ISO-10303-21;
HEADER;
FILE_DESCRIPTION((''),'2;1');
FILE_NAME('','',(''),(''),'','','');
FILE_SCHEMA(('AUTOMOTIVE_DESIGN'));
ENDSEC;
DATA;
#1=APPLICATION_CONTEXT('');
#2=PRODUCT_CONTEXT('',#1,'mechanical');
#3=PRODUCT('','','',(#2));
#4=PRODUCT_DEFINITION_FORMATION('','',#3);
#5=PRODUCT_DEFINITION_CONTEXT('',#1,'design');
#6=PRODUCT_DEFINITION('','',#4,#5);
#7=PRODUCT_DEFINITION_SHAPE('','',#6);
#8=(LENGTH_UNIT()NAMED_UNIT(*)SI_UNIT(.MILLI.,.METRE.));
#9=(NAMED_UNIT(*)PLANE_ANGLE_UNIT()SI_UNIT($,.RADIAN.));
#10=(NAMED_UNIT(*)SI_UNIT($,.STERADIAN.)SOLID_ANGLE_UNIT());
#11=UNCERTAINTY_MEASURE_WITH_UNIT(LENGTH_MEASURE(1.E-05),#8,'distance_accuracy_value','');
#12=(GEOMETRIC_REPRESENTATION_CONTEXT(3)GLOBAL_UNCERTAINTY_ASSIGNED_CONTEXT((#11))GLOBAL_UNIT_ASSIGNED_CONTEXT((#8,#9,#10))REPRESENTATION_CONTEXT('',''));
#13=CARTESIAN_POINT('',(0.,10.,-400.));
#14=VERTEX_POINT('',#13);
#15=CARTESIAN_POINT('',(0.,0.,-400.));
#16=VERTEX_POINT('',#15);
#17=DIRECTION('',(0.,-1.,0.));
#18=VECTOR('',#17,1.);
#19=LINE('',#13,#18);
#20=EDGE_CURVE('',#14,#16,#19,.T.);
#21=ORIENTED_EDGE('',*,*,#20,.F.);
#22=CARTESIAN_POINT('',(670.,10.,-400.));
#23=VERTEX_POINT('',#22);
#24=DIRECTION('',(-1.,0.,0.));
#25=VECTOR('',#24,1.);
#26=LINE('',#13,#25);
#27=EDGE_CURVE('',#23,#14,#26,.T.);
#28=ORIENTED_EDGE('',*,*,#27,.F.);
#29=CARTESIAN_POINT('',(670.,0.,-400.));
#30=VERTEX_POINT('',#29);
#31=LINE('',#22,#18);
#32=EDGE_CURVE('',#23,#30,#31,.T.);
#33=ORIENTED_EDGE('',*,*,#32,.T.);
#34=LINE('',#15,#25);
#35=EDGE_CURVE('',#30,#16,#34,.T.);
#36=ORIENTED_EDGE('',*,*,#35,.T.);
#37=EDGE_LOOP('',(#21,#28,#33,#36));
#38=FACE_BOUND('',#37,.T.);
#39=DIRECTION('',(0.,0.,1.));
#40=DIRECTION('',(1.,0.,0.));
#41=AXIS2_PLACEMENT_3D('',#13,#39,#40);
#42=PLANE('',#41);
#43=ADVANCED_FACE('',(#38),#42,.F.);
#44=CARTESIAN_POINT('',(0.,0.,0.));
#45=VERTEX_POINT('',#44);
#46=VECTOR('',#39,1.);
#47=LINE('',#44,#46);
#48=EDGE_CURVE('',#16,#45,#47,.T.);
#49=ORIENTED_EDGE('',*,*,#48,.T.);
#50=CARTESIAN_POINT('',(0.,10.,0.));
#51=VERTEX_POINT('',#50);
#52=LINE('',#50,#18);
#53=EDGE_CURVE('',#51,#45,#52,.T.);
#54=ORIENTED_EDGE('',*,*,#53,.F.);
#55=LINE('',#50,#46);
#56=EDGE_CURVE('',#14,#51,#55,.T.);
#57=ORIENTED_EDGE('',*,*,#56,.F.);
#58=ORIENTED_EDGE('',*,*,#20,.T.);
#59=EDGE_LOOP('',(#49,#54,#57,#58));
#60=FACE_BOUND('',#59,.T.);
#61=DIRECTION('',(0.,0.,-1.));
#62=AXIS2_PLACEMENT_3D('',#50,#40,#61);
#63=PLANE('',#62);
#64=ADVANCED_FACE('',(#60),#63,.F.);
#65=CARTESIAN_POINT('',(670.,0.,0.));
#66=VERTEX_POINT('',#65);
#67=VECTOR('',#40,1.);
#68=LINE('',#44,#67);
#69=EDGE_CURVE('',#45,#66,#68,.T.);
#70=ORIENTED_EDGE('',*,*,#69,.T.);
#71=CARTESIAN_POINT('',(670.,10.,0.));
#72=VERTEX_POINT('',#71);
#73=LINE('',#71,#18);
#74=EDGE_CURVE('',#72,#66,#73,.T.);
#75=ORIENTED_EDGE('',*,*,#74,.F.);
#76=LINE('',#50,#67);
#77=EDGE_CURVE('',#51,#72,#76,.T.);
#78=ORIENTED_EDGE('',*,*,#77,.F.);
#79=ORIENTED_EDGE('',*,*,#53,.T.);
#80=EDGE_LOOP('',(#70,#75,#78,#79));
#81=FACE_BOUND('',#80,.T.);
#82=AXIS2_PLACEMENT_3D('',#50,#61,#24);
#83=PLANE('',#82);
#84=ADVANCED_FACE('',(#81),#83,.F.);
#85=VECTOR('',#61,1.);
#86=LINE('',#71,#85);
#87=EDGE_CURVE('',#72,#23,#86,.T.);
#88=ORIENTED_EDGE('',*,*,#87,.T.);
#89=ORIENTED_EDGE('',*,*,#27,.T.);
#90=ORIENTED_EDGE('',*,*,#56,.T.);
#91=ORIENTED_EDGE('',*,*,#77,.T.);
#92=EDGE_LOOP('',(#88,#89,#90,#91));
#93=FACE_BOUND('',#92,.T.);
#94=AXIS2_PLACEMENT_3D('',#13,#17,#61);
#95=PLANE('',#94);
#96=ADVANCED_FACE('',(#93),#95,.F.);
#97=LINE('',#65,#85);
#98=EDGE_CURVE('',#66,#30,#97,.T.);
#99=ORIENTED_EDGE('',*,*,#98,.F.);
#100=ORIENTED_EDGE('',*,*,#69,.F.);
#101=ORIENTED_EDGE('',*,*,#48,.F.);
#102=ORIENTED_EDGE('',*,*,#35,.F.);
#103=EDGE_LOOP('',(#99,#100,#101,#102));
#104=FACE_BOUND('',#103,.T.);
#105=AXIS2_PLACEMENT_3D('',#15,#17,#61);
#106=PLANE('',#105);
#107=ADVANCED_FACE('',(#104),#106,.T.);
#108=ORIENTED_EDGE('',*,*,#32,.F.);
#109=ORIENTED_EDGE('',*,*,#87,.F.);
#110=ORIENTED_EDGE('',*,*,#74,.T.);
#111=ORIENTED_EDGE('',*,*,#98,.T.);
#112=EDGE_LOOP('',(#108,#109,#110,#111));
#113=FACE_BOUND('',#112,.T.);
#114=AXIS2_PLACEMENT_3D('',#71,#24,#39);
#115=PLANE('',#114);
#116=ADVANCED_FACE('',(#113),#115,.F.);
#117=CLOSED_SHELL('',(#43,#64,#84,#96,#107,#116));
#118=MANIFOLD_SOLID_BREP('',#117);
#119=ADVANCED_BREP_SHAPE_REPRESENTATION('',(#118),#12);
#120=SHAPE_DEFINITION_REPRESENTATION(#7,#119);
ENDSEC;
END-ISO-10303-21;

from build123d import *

# Parameters (mm, degrees)
SKETCH1_W      = 670
SKETCH1_H      = 400
EXTRUDE1_DEPTH = 10


with BuildPart() as part:
    # Sketch1 → Extrude1 (new body)
    with BuildSketch(Plane(origin=(0, 0, 0), x_dir=(1, 0, 0), z_dir=(0, 1, 0))):
        with Locations((335, 200)):
            Rectangle(SKETCH1_W, SKETCH1_H)
    extrude(amount=EXTRUDE1_DEPTH)


solid = part.part
